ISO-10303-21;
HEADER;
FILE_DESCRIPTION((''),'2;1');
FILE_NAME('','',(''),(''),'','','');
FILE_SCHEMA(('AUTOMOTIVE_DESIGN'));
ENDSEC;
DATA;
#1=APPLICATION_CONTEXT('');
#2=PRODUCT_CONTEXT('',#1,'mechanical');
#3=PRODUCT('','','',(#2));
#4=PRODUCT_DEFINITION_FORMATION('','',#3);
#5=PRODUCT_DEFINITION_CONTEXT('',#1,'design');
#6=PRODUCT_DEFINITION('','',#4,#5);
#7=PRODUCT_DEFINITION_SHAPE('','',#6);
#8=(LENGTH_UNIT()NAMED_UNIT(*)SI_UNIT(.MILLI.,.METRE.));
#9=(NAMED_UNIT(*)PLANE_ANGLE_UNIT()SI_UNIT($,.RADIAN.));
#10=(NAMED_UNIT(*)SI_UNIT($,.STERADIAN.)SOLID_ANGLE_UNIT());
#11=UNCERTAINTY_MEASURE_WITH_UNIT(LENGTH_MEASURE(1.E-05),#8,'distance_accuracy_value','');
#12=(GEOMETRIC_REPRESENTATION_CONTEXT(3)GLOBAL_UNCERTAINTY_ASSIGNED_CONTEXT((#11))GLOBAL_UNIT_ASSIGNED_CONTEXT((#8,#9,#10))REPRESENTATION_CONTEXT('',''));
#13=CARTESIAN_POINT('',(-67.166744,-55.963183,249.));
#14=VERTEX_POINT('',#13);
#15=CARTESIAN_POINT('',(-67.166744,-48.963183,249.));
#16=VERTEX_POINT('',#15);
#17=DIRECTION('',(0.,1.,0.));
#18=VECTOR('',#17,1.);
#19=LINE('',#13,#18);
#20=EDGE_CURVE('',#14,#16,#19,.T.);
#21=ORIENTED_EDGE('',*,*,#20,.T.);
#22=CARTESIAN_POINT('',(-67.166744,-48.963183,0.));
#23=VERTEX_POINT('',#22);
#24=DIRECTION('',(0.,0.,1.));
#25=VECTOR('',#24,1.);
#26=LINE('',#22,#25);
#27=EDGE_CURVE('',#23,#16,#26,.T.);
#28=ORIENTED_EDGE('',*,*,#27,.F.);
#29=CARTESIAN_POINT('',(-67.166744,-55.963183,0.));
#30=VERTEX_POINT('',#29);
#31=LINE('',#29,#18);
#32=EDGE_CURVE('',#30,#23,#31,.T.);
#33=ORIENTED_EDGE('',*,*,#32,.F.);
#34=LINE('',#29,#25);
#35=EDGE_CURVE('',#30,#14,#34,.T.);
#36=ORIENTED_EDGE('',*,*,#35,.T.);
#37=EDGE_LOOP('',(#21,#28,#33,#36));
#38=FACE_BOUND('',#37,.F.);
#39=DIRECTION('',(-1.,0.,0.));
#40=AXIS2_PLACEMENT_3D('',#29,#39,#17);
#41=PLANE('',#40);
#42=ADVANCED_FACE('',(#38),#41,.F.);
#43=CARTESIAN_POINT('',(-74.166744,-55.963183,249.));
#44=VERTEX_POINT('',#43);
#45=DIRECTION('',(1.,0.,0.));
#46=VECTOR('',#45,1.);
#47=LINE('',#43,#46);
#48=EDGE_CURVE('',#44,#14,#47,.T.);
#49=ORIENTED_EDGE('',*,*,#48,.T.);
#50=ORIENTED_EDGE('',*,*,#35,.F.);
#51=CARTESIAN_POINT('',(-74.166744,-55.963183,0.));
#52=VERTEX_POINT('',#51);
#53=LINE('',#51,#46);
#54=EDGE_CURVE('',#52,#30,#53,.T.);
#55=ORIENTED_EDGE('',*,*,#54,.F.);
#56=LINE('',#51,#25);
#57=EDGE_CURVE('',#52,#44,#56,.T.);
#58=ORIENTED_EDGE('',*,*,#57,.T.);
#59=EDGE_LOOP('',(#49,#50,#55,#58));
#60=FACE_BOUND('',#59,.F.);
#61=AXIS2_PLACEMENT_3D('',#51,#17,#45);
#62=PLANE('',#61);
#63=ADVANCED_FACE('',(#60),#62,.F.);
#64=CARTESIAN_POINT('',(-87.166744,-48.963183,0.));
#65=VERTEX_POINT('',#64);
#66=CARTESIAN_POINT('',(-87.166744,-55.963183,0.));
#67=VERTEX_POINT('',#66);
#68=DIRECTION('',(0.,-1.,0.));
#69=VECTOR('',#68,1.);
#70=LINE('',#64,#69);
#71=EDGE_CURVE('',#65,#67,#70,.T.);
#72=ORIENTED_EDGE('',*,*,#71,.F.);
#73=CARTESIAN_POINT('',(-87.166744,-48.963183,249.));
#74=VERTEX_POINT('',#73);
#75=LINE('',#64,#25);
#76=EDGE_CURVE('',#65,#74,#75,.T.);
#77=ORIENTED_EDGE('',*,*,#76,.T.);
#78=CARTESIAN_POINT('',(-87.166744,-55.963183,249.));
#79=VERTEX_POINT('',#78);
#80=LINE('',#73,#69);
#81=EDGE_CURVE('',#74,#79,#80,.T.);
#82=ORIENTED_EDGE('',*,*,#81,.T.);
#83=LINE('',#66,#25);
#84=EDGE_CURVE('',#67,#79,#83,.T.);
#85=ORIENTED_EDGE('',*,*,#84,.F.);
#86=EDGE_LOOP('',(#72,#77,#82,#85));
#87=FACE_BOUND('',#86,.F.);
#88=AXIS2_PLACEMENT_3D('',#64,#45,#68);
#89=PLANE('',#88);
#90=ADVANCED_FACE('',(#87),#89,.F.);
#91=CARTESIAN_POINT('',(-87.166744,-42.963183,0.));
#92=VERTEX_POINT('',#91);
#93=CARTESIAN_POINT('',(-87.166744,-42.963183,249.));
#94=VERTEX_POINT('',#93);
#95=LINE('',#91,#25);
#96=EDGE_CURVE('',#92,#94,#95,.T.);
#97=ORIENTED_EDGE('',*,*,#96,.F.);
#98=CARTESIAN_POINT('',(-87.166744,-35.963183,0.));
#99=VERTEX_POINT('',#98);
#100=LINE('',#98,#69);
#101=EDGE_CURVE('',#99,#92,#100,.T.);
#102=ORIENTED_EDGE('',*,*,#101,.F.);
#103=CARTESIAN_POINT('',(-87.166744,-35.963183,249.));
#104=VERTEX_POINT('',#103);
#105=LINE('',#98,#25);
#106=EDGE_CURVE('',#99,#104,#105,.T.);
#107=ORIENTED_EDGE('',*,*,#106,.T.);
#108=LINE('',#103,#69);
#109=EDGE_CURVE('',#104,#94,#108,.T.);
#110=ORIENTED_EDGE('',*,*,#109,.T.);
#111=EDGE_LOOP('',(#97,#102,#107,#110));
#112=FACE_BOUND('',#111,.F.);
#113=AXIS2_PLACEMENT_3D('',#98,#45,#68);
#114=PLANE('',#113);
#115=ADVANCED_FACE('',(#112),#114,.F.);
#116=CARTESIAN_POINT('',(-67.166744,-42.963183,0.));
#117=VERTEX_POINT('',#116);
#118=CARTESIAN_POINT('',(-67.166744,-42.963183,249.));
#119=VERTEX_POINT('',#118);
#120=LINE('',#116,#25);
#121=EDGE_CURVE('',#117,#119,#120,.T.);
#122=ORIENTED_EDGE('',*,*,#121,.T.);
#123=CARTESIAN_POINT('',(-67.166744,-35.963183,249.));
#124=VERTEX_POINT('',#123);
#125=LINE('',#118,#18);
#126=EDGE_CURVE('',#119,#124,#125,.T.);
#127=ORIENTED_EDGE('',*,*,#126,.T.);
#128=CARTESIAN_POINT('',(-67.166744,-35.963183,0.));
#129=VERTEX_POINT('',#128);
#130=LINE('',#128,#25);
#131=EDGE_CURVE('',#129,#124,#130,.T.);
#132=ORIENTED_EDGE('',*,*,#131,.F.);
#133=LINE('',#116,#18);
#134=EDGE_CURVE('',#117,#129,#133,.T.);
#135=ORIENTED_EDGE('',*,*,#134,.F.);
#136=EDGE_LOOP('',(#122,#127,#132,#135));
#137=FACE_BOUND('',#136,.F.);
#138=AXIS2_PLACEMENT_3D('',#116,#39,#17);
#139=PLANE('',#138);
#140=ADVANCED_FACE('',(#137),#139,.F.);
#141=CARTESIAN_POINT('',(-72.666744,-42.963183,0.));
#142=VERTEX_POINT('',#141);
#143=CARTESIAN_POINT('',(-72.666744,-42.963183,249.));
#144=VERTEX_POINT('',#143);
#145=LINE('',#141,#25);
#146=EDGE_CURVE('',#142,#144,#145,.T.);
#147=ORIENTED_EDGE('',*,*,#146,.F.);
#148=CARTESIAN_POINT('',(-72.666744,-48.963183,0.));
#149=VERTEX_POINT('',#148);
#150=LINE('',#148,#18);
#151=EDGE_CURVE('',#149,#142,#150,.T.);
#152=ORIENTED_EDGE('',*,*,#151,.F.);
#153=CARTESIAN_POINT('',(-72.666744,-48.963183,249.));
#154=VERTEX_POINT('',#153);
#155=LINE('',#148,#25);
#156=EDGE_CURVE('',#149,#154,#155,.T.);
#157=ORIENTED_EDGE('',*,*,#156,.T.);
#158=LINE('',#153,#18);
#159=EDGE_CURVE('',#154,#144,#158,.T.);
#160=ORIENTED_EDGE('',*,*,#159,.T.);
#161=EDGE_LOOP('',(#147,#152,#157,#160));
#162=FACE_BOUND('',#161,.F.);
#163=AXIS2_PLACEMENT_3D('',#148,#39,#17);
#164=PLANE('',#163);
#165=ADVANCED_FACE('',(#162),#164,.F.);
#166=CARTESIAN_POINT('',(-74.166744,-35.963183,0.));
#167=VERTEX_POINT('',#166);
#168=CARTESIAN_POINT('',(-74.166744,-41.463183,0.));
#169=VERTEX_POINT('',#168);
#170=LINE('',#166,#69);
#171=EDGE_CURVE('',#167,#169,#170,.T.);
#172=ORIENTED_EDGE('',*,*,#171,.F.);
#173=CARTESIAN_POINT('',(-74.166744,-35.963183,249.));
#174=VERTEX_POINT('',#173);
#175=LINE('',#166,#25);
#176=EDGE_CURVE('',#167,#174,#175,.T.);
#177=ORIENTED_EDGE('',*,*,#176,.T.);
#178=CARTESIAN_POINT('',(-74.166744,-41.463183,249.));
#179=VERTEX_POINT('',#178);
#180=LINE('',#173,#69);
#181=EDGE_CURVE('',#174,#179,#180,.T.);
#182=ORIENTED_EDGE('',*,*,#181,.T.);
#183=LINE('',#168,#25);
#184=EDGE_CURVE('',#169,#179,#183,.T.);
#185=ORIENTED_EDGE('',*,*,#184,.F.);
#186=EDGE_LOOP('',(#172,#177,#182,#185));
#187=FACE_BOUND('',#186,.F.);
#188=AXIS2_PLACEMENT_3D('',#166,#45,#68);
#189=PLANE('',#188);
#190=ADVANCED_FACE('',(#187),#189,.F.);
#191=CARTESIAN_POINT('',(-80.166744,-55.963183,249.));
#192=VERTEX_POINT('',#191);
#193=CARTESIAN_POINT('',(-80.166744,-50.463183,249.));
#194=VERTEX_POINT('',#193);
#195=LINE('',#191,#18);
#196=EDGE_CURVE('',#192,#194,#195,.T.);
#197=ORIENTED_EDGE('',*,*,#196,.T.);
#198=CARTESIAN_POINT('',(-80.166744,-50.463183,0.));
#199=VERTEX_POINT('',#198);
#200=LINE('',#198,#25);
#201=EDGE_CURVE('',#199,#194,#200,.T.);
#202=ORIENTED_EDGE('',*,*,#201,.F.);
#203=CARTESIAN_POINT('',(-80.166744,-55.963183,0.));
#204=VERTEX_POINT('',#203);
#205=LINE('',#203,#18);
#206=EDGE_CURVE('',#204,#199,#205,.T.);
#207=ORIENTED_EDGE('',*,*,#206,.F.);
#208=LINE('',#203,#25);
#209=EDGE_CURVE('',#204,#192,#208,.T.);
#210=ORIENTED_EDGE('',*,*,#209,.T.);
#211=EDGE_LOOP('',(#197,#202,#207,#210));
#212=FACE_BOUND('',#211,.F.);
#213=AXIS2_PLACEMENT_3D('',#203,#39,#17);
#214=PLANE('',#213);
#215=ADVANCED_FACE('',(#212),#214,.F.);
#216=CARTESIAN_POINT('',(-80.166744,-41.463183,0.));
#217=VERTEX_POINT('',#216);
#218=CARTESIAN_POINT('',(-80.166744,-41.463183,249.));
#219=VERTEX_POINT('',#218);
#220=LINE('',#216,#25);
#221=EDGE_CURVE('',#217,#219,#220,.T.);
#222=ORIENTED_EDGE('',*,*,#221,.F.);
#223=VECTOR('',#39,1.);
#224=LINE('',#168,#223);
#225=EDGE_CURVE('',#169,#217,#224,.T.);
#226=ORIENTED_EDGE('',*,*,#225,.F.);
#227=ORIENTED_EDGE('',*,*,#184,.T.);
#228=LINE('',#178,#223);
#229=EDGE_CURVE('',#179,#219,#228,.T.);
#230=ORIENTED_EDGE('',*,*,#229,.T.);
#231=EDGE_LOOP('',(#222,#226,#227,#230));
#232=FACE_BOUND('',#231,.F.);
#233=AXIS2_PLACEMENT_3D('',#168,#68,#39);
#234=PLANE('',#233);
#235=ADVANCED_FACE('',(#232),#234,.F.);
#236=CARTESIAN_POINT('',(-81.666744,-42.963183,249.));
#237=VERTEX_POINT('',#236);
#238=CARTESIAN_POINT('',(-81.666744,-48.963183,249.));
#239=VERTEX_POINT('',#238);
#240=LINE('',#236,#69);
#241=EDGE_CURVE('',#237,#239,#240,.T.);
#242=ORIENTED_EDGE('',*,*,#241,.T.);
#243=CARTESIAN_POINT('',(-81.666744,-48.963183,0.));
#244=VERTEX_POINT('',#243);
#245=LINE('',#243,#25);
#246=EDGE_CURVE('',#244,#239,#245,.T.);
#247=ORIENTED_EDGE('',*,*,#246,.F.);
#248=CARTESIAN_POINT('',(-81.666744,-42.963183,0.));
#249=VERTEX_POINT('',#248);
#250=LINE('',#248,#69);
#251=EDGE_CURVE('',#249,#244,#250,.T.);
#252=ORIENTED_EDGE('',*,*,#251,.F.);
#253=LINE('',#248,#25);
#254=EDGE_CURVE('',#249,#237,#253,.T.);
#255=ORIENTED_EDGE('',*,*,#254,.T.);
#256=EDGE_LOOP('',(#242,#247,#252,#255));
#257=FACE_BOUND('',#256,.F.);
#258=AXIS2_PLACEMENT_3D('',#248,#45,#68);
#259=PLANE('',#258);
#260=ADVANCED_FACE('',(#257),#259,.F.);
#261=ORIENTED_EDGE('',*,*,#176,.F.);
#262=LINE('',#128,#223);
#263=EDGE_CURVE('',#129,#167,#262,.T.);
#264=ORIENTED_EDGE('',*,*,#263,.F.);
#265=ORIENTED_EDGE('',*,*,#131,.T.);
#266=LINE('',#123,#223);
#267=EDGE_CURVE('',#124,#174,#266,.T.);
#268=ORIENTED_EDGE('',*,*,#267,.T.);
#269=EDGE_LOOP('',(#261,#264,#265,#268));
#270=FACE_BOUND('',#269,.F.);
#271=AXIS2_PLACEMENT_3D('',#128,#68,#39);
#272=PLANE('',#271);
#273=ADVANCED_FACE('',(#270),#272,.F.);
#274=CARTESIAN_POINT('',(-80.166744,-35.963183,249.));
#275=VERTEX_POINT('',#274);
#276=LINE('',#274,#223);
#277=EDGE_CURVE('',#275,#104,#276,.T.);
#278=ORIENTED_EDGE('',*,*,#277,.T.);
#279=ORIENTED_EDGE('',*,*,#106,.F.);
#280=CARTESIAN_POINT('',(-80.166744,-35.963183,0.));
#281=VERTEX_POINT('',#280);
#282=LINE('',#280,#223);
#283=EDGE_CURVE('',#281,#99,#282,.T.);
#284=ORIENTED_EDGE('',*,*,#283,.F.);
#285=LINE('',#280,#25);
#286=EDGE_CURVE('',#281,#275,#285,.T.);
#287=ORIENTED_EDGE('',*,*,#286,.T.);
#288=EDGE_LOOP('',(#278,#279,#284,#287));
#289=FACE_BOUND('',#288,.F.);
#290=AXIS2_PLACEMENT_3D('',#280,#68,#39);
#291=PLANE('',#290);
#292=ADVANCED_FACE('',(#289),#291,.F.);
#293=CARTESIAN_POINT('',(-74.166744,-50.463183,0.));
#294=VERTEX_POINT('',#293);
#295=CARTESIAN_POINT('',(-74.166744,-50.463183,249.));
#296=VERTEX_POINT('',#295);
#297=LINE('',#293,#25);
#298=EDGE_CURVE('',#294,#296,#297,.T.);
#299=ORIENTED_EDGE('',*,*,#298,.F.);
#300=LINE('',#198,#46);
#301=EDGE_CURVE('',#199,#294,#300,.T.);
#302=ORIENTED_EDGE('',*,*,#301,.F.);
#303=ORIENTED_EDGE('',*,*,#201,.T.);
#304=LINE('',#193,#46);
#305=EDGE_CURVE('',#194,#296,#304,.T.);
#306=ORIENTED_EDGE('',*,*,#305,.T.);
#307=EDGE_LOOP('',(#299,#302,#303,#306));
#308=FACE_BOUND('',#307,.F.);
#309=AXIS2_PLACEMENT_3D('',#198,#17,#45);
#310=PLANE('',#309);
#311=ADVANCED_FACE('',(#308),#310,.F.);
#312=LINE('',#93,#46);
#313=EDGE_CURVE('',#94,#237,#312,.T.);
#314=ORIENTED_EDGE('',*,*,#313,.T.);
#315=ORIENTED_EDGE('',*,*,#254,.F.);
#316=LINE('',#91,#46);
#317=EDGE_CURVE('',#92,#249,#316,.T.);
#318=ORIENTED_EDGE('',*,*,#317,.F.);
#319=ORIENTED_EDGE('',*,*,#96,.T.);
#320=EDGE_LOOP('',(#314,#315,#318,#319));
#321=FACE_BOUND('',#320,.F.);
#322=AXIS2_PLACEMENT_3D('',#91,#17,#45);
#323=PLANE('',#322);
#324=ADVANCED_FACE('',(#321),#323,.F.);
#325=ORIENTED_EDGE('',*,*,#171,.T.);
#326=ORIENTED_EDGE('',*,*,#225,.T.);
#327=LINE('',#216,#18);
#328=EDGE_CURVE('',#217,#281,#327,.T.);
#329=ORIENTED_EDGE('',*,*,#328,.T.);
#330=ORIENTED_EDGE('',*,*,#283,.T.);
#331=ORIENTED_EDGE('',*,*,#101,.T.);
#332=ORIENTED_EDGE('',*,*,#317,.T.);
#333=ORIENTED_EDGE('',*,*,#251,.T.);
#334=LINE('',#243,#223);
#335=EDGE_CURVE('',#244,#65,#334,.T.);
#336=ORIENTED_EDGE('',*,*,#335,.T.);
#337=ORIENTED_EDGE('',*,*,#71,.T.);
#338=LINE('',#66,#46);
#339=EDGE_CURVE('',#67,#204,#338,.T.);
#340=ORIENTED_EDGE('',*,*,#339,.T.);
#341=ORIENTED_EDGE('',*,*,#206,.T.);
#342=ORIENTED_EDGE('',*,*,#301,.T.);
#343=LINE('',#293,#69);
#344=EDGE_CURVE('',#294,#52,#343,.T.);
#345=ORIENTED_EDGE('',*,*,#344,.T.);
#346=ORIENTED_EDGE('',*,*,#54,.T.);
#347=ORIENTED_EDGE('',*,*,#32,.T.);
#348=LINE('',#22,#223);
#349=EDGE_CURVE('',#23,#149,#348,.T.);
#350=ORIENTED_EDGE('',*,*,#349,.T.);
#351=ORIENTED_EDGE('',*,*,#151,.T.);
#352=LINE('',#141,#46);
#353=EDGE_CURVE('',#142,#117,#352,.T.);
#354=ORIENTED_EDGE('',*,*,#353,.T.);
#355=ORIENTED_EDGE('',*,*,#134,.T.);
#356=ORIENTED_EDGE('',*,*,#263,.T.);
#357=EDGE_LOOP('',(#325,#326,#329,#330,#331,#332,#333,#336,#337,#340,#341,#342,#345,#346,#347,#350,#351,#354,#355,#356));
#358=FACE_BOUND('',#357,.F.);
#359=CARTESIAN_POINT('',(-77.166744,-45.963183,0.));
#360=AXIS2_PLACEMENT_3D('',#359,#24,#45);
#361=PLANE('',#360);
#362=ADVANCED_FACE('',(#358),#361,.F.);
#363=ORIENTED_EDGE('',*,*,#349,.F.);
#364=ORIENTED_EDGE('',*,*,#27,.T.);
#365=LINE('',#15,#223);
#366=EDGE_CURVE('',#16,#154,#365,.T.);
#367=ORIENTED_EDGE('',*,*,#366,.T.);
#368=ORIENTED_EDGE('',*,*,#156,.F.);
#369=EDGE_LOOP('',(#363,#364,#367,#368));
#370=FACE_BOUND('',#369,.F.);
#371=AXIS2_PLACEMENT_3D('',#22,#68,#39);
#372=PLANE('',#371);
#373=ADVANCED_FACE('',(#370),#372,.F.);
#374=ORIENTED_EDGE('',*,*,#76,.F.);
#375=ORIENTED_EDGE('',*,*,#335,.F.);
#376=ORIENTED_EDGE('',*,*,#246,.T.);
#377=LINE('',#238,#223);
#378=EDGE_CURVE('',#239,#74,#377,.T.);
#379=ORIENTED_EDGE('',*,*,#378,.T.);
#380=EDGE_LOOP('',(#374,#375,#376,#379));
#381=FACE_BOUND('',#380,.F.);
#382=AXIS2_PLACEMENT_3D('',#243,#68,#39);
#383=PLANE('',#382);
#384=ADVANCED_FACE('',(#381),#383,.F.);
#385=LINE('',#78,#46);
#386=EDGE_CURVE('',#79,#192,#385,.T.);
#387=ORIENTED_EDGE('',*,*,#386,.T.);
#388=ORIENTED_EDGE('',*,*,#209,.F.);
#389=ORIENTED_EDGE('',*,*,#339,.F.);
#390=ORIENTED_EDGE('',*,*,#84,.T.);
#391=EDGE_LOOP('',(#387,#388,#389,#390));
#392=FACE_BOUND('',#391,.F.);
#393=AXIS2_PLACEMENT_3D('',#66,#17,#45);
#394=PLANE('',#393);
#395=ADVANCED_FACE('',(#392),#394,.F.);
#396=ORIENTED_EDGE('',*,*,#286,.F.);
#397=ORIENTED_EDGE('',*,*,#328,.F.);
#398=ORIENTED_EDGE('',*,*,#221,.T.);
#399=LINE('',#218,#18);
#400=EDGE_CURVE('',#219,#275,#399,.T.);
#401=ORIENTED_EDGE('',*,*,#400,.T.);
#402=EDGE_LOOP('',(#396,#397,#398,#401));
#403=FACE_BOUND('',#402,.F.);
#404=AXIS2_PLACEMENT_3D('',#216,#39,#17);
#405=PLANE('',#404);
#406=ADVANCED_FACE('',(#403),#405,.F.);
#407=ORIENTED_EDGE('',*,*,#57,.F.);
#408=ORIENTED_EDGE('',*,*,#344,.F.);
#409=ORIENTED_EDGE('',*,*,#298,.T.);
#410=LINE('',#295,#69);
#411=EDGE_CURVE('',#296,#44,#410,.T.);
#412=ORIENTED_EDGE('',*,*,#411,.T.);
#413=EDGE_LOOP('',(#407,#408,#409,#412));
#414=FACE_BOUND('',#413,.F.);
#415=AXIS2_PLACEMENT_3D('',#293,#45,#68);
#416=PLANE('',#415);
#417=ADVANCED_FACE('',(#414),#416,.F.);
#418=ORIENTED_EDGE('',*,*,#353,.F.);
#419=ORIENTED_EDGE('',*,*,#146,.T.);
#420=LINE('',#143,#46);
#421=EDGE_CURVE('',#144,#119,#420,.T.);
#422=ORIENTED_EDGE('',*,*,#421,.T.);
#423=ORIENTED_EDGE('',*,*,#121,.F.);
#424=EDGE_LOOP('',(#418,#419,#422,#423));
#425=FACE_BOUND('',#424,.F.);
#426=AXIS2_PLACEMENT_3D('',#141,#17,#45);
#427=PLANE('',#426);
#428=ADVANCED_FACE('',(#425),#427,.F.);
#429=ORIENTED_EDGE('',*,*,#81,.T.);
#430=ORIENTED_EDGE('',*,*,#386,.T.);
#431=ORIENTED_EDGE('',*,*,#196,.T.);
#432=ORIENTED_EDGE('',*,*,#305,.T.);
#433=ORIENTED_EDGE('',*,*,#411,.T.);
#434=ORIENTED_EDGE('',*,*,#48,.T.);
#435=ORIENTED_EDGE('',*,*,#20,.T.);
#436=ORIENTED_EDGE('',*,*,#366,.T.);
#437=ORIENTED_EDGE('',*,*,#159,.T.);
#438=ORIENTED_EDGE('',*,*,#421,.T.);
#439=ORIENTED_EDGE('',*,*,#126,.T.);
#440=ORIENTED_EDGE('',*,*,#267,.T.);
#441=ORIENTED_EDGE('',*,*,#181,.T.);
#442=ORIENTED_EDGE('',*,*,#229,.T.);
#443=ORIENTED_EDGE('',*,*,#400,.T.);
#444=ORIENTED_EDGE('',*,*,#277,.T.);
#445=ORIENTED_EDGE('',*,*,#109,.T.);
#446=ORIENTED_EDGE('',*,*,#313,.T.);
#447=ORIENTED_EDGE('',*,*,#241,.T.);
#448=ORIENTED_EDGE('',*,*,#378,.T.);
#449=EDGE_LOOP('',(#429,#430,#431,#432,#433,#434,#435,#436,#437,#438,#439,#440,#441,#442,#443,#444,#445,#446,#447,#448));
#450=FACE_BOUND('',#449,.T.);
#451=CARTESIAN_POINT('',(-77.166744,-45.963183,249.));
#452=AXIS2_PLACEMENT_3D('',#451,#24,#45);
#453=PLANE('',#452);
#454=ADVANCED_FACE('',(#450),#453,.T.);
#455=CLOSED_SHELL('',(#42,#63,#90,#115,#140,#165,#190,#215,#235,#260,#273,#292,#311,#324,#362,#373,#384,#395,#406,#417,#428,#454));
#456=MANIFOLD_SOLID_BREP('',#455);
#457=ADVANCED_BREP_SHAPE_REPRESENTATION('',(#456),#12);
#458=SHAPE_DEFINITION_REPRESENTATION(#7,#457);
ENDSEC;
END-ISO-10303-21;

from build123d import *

# Parameters (mm, degrees)
F1_DEPTH = 249


with BuildPart() as f1:
    # F0 (on Top) → F1 (new body)
    with BuildSketch(Plane.XY):
        Polygon((-87.166744, -48.963183), (-87.166744, -55.963183), (-80.166744, -55.963183), (-80.166744, -50.463183), (-74.166744, -50.463183), (-74.166744, -55.963183), (-67.166744, -55.963183), (-67.166744, -48.963183), (-72.666744, -48.963183), (-72.666744, -42.963183), (-67.166744, -42.963183), (-67.166744, -35.963183), (-74.166744, -35.963183), (-74.166744, -41.463183), (-80.166744, -41.463183), (-80.166744, -35.963183), (-87.166744, -35.963183), (-87.166744, -42.963183), (-81.666744, -42.963183), (-81.666744, -48.963183), align=None)
    extrude(amount=F1_DEPTH)


solid = f1.part
